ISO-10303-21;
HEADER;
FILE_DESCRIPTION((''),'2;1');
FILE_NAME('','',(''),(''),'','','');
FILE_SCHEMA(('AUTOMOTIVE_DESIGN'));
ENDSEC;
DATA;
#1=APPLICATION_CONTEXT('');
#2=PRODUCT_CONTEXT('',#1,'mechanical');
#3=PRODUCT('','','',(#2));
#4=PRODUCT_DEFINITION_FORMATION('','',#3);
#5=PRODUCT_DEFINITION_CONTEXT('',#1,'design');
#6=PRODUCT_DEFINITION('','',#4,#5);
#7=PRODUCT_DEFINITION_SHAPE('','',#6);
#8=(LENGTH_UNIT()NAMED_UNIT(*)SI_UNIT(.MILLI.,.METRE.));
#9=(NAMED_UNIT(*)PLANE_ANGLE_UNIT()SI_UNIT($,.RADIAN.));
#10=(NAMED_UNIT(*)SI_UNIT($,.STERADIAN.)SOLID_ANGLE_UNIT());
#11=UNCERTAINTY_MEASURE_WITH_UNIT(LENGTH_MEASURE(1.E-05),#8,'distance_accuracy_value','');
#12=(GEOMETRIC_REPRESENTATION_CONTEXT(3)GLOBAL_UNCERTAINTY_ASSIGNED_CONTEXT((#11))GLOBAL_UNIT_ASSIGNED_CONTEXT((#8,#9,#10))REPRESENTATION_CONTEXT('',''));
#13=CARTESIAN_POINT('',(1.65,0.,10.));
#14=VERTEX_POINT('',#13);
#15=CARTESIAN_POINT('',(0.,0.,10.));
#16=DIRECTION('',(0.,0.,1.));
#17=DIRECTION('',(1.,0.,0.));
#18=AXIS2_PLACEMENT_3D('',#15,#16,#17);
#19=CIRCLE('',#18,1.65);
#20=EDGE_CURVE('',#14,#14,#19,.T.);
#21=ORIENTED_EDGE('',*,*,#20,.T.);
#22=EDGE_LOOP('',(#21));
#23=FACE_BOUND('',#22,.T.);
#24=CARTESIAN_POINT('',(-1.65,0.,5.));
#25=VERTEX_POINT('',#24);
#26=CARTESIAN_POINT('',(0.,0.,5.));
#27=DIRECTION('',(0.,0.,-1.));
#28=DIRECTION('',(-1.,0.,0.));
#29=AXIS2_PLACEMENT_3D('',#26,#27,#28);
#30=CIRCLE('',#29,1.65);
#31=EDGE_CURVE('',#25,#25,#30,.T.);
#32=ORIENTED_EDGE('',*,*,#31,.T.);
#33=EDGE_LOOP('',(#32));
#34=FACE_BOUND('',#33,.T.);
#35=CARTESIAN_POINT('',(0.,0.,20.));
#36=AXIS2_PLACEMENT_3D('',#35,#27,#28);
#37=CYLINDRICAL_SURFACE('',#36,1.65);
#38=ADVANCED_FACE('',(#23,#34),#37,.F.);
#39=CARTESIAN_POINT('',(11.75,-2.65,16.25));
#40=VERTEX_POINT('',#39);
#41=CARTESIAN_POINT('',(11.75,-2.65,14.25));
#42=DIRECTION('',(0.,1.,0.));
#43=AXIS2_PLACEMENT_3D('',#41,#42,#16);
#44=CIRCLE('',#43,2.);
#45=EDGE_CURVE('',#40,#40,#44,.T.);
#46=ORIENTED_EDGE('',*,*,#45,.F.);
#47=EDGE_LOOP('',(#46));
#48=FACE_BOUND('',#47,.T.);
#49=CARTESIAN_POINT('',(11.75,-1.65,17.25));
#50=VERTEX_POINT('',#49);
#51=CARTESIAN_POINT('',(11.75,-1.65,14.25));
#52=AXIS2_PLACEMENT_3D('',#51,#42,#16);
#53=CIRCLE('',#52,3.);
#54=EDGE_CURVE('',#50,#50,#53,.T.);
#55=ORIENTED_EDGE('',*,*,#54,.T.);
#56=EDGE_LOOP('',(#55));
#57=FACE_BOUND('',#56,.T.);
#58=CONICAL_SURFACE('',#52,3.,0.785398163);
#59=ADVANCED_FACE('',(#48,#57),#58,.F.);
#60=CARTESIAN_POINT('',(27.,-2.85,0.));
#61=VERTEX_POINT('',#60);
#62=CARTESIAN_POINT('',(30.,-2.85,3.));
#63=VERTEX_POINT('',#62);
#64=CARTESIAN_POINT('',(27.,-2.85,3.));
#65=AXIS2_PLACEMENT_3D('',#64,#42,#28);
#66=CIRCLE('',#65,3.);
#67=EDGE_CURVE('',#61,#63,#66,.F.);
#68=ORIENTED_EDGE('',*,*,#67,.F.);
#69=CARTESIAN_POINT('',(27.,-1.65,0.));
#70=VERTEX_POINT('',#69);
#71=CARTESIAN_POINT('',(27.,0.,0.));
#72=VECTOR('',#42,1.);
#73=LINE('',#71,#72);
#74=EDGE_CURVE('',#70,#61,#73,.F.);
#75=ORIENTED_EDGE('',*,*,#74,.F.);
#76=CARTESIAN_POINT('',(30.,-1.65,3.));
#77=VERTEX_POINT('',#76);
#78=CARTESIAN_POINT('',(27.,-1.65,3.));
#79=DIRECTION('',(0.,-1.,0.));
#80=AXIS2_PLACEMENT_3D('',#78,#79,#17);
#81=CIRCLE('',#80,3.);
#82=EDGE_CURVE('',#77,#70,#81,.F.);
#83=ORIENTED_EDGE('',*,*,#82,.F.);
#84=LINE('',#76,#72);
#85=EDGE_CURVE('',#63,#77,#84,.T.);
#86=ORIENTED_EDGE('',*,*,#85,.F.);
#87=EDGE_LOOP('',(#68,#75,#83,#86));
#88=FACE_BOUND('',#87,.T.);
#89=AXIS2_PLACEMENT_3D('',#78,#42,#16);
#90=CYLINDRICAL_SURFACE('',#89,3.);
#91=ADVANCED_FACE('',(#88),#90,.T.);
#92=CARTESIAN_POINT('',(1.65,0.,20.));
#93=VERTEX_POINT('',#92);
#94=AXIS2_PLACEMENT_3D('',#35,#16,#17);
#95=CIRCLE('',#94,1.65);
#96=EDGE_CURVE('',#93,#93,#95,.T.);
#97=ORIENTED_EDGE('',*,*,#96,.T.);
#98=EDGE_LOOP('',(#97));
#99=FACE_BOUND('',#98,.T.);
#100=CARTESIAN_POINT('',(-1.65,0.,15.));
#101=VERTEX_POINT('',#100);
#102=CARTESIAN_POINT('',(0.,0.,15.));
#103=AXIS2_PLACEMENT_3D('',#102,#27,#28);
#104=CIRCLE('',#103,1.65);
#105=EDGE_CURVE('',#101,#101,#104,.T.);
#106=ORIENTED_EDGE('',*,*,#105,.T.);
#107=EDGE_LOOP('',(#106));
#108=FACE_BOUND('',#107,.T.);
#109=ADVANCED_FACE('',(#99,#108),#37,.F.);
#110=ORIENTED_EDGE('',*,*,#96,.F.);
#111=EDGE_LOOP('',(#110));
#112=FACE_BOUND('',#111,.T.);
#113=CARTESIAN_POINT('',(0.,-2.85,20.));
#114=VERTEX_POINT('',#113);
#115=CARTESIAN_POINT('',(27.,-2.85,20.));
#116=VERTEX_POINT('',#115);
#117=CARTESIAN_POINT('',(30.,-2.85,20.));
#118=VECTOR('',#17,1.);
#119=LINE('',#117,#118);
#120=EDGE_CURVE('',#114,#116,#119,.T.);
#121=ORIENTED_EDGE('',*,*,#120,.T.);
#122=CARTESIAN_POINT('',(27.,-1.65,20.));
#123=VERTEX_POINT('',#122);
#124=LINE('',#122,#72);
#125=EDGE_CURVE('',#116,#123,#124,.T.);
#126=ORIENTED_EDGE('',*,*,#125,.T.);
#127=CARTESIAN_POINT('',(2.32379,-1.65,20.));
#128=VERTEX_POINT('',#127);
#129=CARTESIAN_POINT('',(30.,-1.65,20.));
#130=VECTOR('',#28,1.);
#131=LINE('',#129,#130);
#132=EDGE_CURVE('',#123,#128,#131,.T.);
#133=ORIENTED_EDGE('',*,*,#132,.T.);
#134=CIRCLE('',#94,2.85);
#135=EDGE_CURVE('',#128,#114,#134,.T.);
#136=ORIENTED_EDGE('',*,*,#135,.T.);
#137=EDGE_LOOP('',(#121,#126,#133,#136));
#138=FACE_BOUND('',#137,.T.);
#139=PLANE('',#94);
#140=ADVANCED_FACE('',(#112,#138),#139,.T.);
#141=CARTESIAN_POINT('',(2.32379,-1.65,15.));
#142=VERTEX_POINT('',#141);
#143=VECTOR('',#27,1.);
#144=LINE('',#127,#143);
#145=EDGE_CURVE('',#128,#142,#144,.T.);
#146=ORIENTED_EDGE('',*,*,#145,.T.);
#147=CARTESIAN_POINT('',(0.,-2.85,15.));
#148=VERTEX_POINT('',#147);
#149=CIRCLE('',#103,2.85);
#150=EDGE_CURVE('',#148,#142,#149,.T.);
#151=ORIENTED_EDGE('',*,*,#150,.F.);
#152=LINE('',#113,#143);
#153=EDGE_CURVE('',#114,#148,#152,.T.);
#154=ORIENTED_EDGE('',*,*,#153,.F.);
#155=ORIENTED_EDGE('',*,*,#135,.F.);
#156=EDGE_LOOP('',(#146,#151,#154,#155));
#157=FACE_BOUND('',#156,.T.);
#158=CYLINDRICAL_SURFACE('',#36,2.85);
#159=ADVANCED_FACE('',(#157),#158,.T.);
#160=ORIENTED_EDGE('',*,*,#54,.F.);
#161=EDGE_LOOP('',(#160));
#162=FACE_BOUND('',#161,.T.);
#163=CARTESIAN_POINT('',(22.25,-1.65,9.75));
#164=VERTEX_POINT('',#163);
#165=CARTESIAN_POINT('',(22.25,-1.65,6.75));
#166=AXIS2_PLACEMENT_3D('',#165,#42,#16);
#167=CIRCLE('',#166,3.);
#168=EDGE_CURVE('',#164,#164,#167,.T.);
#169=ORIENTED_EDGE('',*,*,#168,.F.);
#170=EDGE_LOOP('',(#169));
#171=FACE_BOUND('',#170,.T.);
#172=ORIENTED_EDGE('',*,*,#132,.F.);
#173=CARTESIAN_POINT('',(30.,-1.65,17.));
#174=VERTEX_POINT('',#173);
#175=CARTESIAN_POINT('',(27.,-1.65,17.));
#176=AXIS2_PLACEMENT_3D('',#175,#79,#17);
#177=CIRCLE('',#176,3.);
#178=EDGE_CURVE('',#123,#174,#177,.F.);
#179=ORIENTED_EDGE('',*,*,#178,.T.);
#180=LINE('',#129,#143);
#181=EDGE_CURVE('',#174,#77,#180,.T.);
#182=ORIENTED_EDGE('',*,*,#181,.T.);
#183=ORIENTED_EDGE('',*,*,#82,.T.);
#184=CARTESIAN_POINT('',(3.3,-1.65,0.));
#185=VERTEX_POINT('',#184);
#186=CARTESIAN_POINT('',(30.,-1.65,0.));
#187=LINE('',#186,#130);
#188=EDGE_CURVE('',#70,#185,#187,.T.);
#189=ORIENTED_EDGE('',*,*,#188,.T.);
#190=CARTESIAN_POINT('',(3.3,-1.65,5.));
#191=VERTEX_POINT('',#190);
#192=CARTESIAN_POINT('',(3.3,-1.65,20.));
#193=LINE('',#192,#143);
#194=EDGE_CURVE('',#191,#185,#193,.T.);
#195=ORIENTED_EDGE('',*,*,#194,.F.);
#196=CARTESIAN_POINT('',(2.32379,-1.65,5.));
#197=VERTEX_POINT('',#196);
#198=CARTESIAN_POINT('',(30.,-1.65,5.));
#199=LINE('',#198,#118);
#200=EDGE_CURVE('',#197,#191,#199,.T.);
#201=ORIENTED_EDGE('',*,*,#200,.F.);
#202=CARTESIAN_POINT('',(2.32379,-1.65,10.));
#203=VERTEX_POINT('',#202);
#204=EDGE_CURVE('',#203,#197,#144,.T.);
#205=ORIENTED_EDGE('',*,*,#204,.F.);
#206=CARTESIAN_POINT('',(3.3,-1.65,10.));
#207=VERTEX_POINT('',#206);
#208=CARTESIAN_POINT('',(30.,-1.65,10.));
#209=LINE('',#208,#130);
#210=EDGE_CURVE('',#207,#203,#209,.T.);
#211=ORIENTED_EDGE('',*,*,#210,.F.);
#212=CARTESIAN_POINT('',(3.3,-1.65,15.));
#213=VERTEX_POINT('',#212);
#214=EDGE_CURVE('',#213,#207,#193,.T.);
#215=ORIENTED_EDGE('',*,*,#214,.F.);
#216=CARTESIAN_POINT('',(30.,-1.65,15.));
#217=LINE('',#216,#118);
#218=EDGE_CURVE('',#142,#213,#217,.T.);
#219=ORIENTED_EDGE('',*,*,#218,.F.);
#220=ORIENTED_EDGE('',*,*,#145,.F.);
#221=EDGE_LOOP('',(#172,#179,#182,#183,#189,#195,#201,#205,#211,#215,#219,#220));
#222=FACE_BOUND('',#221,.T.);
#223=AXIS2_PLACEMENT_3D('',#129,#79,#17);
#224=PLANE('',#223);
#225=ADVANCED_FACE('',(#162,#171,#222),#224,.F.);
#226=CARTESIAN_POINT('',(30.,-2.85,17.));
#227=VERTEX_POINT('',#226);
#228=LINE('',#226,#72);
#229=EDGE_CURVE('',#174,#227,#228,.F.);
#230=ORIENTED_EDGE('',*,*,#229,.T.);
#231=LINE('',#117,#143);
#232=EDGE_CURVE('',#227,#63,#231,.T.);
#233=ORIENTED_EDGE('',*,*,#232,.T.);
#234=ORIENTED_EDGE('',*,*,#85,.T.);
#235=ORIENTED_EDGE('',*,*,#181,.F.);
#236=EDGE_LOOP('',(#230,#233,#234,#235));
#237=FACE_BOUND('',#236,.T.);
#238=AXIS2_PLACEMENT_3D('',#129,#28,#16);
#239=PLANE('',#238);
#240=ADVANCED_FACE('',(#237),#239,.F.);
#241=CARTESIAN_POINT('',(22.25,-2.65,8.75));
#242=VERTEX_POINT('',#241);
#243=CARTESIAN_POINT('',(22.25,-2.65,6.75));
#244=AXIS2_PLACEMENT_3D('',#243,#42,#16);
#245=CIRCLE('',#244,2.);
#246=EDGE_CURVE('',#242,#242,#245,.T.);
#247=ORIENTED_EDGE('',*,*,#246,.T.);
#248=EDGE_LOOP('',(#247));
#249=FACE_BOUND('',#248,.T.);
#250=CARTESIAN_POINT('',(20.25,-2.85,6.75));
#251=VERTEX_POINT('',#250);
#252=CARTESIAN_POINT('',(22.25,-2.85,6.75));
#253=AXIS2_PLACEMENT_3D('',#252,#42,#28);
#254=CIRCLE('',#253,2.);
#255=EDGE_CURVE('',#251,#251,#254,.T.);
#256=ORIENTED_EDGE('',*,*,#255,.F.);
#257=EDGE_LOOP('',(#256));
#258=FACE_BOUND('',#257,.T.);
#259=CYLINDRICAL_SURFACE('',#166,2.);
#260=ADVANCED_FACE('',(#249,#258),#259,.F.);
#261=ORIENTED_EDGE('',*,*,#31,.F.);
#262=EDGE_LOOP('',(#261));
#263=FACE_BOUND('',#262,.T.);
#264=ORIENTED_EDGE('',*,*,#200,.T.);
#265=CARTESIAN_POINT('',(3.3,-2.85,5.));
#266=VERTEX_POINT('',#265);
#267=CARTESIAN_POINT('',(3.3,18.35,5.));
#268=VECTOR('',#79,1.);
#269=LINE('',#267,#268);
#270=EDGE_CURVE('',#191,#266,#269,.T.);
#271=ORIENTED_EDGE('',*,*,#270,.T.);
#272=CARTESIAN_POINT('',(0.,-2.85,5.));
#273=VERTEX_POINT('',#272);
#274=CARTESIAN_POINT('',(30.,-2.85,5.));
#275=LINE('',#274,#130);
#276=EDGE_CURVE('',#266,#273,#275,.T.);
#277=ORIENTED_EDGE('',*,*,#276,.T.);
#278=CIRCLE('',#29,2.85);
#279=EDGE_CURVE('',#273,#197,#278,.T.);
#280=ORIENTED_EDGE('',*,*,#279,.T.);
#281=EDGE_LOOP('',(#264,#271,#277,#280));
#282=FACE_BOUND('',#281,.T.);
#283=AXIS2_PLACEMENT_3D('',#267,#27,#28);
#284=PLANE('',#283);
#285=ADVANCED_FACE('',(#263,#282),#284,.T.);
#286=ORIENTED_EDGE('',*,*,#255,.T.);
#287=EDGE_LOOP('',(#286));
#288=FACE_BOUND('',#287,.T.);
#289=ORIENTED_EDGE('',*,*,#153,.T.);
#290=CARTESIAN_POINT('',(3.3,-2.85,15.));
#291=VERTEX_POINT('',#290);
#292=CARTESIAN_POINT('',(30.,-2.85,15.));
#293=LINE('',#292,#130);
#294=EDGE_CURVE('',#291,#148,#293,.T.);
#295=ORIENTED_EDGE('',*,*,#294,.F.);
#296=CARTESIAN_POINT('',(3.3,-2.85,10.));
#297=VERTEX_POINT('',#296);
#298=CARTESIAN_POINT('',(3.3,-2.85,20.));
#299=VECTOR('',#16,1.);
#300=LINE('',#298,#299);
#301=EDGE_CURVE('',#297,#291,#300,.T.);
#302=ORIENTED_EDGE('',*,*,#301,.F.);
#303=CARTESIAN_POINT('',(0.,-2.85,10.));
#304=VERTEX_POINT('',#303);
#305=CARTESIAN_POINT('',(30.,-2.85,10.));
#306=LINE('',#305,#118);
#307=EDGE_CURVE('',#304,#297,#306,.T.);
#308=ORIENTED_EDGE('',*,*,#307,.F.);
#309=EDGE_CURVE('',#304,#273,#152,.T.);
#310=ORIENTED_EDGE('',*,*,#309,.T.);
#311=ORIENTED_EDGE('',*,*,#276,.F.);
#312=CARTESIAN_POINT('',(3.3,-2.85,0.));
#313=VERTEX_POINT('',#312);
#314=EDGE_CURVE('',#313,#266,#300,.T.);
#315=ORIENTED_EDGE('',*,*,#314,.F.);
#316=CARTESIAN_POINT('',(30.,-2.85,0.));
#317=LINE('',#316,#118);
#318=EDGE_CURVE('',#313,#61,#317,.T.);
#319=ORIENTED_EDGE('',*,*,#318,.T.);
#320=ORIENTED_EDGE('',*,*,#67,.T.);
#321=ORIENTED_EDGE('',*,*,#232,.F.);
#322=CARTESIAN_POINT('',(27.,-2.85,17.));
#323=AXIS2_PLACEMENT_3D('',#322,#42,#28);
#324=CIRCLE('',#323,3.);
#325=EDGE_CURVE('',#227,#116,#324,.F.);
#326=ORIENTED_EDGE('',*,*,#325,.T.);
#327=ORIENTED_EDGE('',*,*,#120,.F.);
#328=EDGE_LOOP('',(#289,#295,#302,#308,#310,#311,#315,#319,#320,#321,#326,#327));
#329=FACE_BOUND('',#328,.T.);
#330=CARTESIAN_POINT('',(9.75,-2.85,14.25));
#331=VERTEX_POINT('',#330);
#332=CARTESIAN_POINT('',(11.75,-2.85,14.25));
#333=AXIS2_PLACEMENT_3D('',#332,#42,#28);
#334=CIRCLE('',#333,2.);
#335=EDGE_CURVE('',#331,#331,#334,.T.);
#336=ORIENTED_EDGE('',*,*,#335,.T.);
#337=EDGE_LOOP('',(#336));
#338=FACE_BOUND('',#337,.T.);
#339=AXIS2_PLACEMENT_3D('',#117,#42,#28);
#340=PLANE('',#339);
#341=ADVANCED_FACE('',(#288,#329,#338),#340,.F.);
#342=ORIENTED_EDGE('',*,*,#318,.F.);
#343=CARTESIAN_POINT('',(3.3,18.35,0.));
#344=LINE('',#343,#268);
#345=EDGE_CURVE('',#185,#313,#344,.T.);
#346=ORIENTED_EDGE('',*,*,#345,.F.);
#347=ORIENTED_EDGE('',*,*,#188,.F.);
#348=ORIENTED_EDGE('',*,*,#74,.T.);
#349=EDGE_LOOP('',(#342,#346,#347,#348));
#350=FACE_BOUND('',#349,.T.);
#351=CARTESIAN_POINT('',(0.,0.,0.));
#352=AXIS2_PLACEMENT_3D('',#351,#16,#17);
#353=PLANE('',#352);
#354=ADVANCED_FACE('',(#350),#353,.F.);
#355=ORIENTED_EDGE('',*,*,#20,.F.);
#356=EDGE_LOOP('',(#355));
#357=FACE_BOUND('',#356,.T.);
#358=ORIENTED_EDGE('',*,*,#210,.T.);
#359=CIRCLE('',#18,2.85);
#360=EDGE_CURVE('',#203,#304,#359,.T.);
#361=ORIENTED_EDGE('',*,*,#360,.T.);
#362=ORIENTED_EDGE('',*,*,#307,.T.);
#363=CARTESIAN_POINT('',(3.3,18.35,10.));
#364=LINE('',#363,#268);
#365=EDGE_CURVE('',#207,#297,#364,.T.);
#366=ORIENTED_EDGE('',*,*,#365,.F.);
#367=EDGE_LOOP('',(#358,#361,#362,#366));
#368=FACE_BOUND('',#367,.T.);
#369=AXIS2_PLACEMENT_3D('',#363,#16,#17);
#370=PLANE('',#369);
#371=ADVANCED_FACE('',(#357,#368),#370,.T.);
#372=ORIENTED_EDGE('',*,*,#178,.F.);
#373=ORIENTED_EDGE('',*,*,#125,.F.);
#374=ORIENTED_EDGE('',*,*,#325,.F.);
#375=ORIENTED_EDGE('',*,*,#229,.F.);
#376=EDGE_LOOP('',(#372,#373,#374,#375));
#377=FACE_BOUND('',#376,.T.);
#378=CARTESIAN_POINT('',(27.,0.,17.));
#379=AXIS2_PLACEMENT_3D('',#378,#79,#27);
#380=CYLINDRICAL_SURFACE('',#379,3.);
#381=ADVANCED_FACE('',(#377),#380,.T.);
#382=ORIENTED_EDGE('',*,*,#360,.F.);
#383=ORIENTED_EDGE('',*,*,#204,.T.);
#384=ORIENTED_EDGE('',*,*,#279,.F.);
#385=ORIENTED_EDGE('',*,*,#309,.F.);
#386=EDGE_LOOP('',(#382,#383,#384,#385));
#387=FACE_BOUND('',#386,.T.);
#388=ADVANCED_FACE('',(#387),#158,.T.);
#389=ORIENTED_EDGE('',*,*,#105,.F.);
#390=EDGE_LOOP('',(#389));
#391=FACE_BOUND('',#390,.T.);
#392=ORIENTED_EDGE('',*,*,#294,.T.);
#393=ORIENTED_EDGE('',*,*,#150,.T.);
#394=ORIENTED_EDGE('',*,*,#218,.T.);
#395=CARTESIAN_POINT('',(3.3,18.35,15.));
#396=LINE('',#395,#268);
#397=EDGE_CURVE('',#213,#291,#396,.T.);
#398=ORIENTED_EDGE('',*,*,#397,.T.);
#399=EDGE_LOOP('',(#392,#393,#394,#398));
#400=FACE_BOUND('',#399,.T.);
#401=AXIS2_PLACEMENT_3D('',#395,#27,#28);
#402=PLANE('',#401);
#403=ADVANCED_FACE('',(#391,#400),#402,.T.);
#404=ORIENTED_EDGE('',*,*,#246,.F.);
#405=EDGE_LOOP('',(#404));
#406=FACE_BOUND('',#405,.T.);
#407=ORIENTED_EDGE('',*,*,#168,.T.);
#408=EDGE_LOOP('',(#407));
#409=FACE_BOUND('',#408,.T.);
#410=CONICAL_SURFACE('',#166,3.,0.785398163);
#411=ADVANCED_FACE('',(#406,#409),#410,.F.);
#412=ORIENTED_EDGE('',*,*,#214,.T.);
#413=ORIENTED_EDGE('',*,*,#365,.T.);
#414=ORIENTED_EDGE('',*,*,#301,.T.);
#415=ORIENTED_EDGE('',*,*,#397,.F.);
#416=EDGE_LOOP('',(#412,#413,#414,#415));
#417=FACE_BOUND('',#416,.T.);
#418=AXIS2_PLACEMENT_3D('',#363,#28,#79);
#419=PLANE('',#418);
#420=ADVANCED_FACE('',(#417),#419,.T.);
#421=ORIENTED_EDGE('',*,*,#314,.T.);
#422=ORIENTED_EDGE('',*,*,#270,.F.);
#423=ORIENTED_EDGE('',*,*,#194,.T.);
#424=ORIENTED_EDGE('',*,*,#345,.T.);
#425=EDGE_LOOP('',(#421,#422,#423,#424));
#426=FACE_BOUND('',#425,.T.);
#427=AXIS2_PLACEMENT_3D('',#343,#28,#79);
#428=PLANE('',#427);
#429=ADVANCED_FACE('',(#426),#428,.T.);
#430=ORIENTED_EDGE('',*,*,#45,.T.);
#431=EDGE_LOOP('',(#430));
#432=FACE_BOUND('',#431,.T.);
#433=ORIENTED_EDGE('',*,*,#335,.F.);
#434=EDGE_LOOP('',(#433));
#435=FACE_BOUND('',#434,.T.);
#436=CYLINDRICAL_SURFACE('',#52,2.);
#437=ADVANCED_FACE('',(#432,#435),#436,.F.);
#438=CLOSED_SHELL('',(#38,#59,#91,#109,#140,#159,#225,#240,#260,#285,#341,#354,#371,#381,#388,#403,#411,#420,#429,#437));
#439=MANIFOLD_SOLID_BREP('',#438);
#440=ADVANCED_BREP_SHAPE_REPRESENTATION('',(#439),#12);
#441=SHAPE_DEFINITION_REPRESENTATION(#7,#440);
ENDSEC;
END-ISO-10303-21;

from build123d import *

# Parameters (mm, degrees)
ESQUISSE1_R                  = 1.65
BOSS_EXTRU_1_DEPTH           = 20
ENL_V_MAT_EXTRU_3_DEPTH      = 20
ENL_V_MAT_EXTRU_3_DEPTH_BACK = 20
ESQUISSE2_W                  = 10.952034034
ESQUISSE2_H                  = 5
CONG_1_R                     = 3
D_GAGEMENT_M41_D             = 4
D_GAGEMENT_M41_DEPTH         = 10
D_GAGEMENT_M41_CSINK_D       = 6
D_GAGEMENT_M41_CSINK_ANGLE   = 90
D_GAGEMENT_M41_TIP           = 1.201721238


with BuildPart() as part:
    # Esquisse1 → Boss.-Extru.1 (new body)
    with BuildSketch(Plane.XY):
        with BuildLine():
            Line((30, -1.65), (2.323790008, -1.65))
            ThreePointArc((2.323790008, -1.65), (-1.307669683, 2.532291452), (0, -2.85))
            Line((0, -2.85), (30, -2.85))
            Line((30, -2.85), (30, -1.65))
        make_face()
        Circle(ESQUISSE1_R, mode=Mode.SUBTRACT)
    extrude(amount=BOSS_EXTRU_1_DEPTH)

    # Esquisse2 → Enlèv. mat.-Extru.3 (cut, two sides: drawn at the far end of the back side and taken through both)
    with BuildSketch(Plane(origin=(0, -1.65, 0), x_dir=(1, 0, 0), z_dir=(0, 1, 0)).offset(-ENL_V_MAT_EXTRU_3_DEPTH_BACK)):
        with Locations((-2.176017017, -2.5)):
            Rectangle(ESQUISSE2_W, ESQUISSE2_H)
        with Locations((-2.176017017, -12.5)):
            Rectangle(ESQUISSE2_W, ESQUISSE2_H)
    extrude(amount=ENL_V_MAT_EXTRU_3_DEPTH + ENL_V_MAT_EXTRU_3_DEPTH_BACK, mode=Mode.SUBTRACT)

    # Congé1
    cong_1_edges = [part.edges().sort_by_distance(p)[0] for p in [
        (30, -2.25, 20),
        (30, -2.25, 0),
    ]]
    fillet(cong_1_edges, radius=CONG_1_R)

    # Dégagement M41
    with Locations(Plane(origin=(0, -1.65, 0), x_dir=(1, 0, 0), z_dir=(0, 1, 0))):
        with Locations((11.75, -14.25), (22.25, -6.75)):
            CounterSinkHole(D_GAGEMENT_M41_D / 2, D_GAGEMENT_M41_CSINK_D / 2, depth=D_GAGEMENT_M41_DEPTH, counter_sink_angle=D_GAGEMENT_M41_CSINK_ANGLE)
            with Locations((0, 0, -(D_GAGEMENT_M41_DEPTH + D_GAGEMENT_M41_TIP / 2))):  # 118° drill point
                Cone(0, D_GAGEMENT_M41_D / 2, D_GAGEMENT_M41_TIP, mode=Mode.SUBTRACT)


solid = part.part
